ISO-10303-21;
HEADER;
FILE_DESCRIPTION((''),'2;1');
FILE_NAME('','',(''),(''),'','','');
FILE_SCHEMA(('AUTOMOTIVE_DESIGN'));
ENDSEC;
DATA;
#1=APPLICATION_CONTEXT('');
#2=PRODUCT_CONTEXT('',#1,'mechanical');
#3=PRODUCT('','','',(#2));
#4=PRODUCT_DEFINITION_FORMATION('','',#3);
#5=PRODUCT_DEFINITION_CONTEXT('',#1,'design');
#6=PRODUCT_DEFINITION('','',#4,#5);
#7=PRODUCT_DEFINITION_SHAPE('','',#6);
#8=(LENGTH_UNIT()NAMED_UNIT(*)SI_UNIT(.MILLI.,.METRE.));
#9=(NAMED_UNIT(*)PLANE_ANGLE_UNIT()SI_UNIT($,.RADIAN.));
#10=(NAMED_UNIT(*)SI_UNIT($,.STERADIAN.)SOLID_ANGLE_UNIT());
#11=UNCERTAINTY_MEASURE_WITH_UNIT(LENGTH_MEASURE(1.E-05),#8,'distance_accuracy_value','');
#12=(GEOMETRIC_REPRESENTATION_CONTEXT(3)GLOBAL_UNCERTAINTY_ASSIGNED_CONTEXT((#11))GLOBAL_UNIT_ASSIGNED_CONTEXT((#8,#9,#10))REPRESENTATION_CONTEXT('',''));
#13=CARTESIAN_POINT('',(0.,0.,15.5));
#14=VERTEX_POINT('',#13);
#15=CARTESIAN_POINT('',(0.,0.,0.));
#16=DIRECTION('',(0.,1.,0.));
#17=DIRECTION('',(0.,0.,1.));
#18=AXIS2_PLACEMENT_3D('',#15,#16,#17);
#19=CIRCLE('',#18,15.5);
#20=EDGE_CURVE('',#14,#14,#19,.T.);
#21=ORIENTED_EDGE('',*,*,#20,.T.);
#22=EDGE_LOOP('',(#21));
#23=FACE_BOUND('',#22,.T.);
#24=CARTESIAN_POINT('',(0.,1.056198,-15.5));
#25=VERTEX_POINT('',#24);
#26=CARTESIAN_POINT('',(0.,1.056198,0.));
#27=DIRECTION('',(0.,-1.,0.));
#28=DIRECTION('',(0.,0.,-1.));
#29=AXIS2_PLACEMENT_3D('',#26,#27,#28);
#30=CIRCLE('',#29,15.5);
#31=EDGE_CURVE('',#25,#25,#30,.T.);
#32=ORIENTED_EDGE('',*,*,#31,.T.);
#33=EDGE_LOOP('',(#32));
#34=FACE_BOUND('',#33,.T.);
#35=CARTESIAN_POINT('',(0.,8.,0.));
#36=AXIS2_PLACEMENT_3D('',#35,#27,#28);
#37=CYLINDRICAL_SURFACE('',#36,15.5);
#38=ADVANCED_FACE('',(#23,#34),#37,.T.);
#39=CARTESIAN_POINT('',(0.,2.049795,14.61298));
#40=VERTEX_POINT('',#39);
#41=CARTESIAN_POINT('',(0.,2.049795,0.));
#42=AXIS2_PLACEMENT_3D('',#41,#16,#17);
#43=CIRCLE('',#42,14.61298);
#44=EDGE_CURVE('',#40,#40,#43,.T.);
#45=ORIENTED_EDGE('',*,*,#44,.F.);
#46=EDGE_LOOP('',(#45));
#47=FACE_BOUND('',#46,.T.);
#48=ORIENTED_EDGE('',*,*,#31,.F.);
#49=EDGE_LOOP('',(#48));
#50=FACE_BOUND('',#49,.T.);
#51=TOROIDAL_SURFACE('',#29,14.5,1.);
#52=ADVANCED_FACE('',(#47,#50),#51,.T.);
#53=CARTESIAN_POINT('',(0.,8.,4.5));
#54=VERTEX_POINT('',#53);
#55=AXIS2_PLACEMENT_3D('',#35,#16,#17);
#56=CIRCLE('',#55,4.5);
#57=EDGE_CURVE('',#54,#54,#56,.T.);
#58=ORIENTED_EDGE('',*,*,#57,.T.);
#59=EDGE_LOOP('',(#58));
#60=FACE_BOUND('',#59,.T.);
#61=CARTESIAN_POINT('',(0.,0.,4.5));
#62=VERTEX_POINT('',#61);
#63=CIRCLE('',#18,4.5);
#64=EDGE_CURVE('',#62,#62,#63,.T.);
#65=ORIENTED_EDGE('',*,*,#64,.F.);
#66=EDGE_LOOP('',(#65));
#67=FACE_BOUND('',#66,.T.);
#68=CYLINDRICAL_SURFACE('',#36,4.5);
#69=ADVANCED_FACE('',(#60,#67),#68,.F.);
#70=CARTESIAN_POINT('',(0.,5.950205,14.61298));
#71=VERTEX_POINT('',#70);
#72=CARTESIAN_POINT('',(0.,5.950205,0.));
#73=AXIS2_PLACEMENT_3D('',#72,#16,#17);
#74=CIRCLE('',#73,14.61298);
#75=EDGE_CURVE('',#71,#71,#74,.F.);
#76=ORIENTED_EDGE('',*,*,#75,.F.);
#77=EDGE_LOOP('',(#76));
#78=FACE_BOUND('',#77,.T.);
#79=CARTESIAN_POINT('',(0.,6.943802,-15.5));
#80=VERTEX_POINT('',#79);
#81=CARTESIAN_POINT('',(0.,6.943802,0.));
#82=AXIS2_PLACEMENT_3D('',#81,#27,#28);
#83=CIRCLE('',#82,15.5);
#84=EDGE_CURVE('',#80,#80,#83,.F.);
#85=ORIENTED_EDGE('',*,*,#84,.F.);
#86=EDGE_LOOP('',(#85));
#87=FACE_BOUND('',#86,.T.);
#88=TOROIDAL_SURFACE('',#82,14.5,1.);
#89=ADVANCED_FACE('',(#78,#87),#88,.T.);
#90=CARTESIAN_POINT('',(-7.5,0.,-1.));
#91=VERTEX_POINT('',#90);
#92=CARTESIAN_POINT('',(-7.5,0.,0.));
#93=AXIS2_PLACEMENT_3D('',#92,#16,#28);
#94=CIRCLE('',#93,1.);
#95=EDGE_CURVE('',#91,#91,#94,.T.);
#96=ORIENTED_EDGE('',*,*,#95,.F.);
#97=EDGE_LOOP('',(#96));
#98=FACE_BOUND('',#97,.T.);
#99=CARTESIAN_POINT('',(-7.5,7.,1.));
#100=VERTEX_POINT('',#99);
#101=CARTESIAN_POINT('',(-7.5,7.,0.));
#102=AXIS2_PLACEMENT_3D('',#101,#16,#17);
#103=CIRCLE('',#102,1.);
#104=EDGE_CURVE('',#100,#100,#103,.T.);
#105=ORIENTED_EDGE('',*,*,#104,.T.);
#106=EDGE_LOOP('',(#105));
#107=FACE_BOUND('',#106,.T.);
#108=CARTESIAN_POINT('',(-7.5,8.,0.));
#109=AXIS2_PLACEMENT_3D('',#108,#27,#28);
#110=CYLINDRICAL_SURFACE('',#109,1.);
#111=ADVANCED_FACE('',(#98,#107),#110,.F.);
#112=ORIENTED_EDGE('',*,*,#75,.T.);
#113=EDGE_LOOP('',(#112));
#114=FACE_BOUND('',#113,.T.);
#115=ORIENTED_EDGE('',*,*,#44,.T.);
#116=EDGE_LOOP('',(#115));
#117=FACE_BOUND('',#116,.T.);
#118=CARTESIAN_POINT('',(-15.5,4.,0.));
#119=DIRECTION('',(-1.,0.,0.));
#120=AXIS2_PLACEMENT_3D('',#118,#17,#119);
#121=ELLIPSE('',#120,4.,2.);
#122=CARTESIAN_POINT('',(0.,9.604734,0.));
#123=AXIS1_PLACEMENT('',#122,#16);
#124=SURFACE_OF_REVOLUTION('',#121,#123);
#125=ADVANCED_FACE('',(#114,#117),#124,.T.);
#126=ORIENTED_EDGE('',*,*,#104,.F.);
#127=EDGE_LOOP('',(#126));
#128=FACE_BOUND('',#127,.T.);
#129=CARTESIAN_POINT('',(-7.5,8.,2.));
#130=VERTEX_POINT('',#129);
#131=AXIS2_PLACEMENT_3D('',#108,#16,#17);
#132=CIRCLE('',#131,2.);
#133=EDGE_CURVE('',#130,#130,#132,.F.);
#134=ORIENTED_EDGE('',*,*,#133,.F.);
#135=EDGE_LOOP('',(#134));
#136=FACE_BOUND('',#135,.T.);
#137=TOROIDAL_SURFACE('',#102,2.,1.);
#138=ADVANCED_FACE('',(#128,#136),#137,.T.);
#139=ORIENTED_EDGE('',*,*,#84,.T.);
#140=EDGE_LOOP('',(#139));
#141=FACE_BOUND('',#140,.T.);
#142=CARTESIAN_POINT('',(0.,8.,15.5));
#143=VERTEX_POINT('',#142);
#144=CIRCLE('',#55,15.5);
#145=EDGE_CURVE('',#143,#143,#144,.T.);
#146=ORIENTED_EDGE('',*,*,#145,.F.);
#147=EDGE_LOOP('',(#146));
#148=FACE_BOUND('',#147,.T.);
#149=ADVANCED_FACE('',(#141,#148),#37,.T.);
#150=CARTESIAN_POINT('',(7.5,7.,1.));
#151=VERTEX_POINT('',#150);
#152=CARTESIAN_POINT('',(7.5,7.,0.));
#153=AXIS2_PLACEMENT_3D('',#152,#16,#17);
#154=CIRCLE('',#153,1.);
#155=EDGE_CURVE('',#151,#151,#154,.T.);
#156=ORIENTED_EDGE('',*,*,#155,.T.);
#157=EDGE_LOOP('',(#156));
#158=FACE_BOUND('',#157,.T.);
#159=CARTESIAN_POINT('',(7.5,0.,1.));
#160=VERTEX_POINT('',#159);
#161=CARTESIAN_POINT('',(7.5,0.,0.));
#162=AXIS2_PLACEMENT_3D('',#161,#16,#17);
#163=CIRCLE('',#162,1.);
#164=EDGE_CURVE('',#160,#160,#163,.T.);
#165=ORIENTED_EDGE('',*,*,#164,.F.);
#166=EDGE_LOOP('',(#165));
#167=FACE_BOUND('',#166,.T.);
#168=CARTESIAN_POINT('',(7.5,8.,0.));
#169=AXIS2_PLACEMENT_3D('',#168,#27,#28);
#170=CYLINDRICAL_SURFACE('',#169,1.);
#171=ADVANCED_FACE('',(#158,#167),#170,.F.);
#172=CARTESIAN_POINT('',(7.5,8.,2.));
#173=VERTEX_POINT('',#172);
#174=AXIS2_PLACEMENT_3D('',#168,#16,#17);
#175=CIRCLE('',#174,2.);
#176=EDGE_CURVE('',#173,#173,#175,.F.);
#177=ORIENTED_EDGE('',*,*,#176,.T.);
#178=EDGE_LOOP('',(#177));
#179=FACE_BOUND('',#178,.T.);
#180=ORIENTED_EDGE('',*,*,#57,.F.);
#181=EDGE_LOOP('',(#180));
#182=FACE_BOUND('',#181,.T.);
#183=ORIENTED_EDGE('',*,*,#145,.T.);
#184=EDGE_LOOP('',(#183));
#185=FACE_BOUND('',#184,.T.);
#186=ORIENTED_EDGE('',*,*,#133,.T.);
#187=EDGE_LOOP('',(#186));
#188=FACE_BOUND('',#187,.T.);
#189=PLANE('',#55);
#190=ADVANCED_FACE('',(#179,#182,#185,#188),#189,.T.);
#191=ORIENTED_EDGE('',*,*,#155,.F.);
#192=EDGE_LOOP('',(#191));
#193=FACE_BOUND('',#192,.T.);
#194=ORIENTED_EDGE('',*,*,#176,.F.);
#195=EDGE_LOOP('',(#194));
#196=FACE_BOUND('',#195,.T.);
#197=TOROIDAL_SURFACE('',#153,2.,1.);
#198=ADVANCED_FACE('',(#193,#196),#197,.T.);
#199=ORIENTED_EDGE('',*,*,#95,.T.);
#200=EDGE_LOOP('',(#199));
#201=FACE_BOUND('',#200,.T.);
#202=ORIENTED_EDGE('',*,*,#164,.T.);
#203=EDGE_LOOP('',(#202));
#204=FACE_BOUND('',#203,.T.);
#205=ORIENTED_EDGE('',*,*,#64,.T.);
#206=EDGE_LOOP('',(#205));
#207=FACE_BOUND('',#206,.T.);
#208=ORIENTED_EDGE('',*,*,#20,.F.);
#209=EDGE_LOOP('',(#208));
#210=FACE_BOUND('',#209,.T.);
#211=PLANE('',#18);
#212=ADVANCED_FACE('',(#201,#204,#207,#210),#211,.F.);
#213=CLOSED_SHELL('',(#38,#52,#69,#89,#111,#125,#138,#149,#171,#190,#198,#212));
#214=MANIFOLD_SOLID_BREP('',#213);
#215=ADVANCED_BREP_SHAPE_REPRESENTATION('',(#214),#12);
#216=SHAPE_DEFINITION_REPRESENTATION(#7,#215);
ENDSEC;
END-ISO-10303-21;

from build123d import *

# Parameters (mm, degrees)
SKETCH2_R           = 15.5
SKETCH2_R_2         = 4.5
SKETCH2_R_3         = 1
BOSS_EXTRUDE1_DEPTH = 8
FILLET1_R           = 1
FILLET2_R           = 1


with BuildPart() as part:
    # Sketch2 → Boss-Extrude1 (new body)
    with BuildSketch(Plane(origin=(0, 0, 0), x_dir=(1, 0, 0), z_dir=(0, 1, 0))):
        with Locations(Location((0, 0, 0), (0, 0, 270))):
            Circle(SKETCH2_R)
        with Locations(Location((0, 0, 0), (0, 0, 270))):
            Circle(SKETCH2_R_2, mode=Mode.SUBTRACT)
        with Locations(Location((7.5, 0, 0), (0, 0, 270))):
            Circle(SKETCH2_R_3, mode=Mode.SUBTRACT)
        with Locations(Location((-7.5, 0, 0), (0, 0, 90))):
            Circle(SKETCH2_R_3, mode=Mode.SUBTRACT)
    extrude(amount=BOSS_EXTRUDE1_DEPTH)

    # Fillet1
    fillet1_edges = [part.edges().sort_by_distance(p)[0] for p in [
        (-7.5, 8, 1),
        (7.5, 8, -1),
    ]]
    fillet(fillet1_edges, radius=FILLET1_R)

    # Sketch4 → Cut-Revolve1 (revolve, cut)
    with BuildSketch(Plane.XY, mode=Mode.PRIVATE) as cut_revolve1_sk:
        with BuildLine():
            ThreePointArc((-15.5, 6), (-17.5, 4), (-15.5, 2))
            add(Edge.make_bspline(
                [(-15.5, 2), (-11.5, 2), (-11.5, 4), (-11.5, 6), (-15.5, 6)],
                knots=[4.71238898, 4.71238898, 4.71238898, 6.283185307, 6.283185307, 7.853981634, 7.853981634, 7.853981634], degree=2, weights=[1, 0.707106781, 1, 0.707106781, 1]))
        make_face()
    revolve(cut_revolve1_sk.sketch.rotate(Axis((0, 9.604734324, 0), (0, -1, 0)), 270), axis=Axis((0, 9.604734324, 0), (0, -1, 0)), mode=Mode.SUBTRACT)

    # Fillet2
    fillet2_edges = [part.edges().sort_by_distance(p)[0] for p in [
        (0, 6, -15.5),
        (0, 2, -15.5),
    ]]
    fillet(fillet2_edges, radius=FILLET2_R)


solid = part.part
